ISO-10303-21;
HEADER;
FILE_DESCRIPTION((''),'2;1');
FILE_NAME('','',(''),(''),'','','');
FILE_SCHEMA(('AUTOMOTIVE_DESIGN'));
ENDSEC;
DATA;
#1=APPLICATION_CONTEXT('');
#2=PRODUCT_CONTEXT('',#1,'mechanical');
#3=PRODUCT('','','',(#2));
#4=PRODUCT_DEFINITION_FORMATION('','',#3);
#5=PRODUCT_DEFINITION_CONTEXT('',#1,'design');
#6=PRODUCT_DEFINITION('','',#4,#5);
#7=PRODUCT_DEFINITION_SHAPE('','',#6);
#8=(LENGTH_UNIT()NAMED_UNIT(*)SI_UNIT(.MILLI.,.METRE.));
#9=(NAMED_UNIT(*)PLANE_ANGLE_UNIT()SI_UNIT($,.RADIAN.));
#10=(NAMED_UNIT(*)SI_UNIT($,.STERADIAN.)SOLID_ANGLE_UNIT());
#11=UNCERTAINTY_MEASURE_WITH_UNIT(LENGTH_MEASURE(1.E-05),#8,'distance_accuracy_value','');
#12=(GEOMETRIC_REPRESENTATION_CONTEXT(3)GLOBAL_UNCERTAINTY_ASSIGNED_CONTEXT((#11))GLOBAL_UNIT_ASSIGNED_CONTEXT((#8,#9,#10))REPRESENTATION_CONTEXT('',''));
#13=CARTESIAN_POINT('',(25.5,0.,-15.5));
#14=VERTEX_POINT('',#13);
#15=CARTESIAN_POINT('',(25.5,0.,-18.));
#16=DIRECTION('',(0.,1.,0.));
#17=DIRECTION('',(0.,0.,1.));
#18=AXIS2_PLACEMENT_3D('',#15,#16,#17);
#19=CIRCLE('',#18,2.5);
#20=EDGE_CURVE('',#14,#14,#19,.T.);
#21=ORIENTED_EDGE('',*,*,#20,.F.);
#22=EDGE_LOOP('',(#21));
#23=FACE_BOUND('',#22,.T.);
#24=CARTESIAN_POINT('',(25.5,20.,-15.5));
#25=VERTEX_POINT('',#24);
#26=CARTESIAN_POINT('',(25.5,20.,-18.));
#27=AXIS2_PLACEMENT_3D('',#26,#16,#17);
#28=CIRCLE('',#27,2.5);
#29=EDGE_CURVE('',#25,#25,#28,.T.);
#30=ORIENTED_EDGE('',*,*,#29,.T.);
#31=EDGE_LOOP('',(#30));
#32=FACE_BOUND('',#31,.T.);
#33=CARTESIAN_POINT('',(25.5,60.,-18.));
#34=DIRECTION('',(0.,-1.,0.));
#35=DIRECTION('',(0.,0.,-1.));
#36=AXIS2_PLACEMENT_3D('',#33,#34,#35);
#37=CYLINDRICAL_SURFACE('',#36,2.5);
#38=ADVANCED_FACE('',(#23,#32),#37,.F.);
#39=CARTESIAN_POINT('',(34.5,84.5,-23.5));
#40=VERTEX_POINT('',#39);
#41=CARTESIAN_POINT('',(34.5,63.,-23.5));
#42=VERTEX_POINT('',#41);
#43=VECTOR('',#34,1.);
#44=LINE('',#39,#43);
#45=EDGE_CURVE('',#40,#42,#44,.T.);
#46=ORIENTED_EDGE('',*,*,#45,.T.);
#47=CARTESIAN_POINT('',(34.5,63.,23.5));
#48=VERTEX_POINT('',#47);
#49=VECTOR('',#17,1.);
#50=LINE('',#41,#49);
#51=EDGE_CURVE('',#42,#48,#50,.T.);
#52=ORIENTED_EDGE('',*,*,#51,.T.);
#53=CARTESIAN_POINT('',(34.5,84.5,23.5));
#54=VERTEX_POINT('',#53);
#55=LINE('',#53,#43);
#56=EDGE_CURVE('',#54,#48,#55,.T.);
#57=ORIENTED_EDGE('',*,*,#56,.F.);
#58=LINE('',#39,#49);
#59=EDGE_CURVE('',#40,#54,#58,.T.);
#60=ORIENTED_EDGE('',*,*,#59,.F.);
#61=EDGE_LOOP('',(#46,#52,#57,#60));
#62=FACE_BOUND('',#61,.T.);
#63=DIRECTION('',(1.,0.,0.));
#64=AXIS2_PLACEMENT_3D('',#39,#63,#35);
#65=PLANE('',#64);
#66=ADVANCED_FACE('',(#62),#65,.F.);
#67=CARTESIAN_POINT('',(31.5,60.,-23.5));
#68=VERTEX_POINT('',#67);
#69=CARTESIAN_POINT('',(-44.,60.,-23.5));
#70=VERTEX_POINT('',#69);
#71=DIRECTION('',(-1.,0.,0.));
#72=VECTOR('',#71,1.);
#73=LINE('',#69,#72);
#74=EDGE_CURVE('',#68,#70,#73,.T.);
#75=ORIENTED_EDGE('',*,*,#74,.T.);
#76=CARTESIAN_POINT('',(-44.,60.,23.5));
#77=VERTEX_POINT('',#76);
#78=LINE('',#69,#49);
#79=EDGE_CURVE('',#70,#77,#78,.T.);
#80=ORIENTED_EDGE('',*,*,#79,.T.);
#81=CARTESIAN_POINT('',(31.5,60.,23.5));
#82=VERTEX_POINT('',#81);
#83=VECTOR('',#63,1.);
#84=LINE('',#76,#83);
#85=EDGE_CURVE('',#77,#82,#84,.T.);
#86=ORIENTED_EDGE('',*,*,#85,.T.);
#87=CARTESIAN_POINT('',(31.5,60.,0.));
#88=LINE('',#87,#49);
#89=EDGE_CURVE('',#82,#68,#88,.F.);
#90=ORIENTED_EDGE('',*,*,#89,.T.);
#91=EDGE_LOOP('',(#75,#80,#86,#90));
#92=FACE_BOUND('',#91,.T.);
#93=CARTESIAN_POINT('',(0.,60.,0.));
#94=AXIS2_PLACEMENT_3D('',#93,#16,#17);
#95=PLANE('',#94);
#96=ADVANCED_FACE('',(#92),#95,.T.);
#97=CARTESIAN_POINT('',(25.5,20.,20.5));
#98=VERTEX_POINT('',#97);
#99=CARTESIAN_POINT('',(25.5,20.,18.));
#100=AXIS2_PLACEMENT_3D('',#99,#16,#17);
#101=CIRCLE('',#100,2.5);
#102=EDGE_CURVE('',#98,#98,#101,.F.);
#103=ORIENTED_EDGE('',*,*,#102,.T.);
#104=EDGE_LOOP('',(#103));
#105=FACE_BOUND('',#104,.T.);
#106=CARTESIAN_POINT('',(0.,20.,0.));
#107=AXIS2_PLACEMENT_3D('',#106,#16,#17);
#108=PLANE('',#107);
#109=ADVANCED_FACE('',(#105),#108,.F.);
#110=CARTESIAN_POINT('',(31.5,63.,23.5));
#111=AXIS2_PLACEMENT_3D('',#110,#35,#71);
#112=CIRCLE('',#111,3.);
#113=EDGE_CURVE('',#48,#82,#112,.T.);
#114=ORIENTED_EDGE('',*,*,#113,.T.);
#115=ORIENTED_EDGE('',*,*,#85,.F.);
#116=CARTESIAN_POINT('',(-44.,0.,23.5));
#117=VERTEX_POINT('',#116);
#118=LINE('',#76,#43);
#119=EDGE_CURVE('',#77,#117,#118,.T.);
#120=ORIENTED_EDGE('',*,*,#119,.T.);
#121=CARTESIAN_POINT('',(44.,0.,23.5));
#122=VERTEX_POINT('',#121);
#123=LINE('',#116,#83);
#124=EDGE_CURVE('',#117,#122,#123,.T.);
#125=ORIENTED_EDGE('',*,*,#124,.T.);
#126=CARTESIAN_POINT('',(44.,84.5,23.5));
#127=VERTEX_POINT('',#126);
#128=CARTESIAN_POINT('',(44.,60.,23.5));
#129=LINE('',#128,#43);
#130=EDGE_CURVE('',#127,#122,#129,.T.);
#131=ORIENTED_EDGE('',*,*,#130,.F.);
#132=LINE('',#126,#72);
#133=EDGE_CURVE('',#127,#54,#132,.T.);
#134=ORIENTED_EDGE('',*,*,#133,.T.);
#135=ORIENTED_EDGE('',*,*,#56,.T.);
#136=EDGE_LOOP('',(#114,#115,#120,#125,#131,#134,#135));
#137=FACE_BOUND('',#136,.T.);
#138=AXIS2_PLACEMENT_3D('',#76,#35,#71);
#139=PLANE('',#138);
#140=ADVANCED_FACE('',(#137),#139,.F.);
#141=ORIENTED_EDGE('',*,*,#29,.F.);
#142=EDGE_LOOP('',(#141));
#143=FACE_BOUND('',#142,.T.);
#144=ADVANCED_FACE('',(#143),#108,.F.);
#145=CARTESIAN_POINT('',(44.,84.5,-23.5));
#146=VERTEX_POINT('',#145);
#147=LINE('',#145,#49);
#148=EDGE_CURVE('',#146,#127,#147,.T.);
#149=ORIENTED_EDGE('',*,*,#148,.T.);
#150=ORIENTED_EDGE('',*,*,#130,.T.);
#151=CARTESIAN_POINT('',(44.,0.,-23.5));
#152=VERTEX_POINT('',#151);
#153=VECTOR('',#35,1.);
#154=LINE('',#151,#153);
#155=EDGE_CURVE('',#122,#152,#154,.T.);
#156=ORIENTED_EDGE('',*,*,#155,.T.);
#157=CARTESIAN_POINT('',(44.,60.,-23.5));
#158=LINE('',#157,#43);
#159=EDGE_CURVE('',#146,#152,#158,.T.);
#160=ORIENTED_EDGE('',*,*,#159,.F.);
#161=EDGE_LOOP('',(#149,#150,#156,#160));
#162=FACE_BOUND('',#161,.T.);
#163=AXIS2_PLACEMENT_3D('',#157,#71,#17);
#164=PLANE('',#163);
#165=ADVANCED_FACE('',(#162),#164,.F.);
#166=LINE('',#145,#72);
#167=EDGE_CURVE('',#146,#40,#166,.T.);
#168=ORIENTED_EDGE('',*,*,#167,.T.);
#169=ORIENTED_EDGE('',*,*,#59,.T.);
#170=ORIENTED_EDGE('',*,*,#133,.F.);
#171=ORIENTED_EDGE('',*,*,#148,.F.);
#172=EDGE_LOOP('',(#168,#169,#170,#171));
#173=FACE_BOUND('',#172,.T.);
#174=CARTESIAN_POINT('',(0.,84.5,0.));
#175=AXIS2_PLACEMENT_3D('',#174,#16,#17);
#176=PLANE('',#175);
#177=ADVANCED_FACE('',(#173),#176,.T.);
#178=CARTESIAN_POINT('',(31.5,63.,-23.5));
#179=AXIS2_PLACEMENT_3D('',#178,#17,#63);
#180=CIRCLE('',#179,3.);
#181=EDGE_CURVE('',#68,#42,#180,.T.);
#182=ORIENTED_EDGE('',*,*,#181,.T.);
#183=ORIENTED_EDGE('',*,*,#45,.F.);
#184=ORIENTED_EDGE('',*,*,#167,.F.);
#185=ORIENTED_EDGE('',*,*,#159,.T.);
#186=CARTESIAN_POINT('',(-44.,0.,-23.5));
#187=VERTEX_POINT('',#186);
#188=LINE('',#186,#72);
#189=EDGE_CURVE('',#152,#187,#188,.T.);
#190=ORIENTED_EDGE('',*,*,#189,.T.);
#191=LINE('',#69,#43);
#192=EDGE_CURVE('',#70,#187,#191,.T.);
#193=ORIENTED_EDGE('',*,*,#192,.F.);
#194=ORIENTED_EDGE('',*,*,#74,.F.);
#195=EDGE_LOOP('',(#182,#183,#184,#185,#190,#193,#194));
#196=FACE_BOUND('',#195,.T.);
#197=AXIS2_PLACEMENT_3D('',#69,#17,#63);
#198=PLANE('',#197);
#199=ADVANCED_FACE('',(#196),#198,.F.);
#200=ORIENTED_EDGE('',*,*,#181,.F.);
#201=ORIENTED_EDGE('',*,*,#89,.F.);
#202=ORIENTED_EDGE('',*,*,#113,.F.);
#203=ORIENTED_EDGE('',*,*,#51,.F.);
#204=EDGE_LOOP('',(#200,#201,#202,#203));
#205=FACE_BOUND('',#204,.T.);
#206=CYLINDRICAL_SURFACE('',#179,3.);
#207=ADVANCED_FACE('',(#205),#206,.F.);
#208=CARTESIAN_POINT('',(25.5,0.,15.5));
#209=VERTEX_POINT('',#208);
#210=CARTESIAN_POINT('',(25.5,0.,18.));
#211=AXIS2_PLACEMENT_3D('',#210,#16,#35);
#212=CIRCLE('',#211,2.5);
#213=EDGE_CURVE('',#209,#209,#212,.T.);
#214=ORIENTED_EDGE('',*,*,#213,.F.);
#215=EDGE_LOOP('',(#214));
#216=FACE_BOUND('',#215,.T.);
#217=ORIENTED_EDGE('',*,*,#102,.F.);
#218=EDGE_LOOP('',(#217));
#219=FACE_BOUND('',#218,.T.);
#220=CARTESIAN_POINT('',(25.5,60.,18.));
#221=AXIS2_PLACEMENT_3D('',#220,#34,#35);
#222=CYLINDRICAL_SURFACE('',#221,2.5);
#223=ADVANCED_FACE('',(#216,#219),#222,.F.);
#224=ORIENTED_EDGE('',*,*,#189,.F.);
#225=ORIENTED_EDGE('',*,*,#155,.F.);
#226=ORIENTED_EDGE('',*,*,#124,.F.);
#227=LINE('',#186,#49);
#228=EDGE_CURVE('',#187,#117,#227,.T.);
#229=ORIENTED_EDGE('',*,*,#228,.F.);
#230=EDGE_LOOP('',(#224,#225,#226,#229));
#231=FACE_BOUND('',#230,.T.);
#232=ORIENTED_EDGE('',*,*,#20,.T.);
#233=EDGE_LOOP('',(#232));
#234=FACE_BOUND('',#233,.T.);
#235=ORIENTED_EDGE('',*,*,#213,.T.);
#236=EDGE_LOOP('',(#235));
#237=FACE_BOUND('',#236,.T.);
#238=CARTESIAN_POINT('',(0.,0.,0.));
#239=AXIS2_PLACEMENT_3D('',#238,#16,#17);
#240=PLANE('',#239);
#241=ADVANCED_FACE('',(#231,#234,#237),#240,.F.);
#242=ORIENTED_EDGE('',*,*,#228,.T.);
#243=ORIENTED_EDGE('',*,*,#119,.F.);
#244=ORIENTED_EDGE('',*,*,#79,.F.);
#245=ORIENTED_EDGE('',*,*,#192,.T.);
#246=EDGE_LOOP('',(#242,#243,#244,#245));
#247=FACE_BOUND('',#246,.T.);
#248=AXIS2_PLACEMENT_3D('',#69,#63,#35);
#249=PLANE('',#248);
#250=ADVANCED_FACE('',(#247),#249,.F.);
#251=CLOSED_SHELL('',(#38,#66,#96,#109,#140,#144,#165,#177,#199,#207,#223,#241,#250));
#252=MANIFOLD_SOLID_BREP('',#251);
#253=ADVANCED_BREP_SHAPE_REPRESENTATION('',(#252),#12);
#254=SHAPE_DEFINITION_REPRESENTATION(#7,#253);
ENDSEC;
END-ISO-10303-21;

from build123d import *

# Parameters (mm, degrees)
SKETCH1_W           = 88
SKETCH1_H           = 47
SKETCH1_R           = 2.5
BOSS_EXTRUDE1_DEPTH = 60
BOSS_EXTRUDE2_START = 20
SKETCH1_2_R         = 2.5
BOSS_EXTRUDE2_DEPTH = 40
SKETCH2_W           = 9.5
SKETCH2_H           = 47
BOSS_EXTRUDE3_DEPTH = 24.5
FILLET1_R           = 3


with BuildPart() as part:
    # Sketch1 → Boss-Extrude1 (new body)
    with BuildSketch(Plane(origin=(0, 0, 0), x_dir=(1, 0, 0), z_dir=(0, 1, 0))):
        Rectangle(SKETCH1_W, SKETCH1_H)
        with Locations((25.5, 18)):
            Circle(SKETCH1_R, mode=Mode.SUBTRACT)
        with Locations((25.5, -18)):
            Circle(SKETCH1_R, mode=Mode.SUBTRACT)
    extrude(amount=BOSS_EXTRUDE1_DEPTH)

    # Sketch1<2> → Boss-Extrude2 (add)
    with BuildSketch(Plane(origin=(0, 0, 0), x_dir=(1, 0, 0), z_dir=(0, 1, 0)).offset(BOSS_EXTRUDE2_START)):
        with Locations((25.5, 18)):
            Circle(SKETCH1_2_R)
        with Locations((25.5, -18)):
            Circle(SKETCH1_2_R)
    extrude(amount=BOSS_EXTRUDE2_DEPTH)

    # Sketch2 → Boss-Extrude3 (add)
    with BuildSketch(Plane(origin=(0, 60, 0), x_dir=(1, 0, 0), z_dir=(0, 1, 0))):
        with Locations((39.25, 0)):
            Rectangle(SKETCH2_W, SKETCH2_H)
    extrude(amount=BOSS_EXTRUDE3_DEPTH)

    # Fillet1
    fillet1_edges = [part.edges().sort_by_distance(p)[0] for p in [
        (34.5, 60, 0),
    ]]
    fillet(fillet1_edges, radius=FILLET1_R)


solid = part.part
